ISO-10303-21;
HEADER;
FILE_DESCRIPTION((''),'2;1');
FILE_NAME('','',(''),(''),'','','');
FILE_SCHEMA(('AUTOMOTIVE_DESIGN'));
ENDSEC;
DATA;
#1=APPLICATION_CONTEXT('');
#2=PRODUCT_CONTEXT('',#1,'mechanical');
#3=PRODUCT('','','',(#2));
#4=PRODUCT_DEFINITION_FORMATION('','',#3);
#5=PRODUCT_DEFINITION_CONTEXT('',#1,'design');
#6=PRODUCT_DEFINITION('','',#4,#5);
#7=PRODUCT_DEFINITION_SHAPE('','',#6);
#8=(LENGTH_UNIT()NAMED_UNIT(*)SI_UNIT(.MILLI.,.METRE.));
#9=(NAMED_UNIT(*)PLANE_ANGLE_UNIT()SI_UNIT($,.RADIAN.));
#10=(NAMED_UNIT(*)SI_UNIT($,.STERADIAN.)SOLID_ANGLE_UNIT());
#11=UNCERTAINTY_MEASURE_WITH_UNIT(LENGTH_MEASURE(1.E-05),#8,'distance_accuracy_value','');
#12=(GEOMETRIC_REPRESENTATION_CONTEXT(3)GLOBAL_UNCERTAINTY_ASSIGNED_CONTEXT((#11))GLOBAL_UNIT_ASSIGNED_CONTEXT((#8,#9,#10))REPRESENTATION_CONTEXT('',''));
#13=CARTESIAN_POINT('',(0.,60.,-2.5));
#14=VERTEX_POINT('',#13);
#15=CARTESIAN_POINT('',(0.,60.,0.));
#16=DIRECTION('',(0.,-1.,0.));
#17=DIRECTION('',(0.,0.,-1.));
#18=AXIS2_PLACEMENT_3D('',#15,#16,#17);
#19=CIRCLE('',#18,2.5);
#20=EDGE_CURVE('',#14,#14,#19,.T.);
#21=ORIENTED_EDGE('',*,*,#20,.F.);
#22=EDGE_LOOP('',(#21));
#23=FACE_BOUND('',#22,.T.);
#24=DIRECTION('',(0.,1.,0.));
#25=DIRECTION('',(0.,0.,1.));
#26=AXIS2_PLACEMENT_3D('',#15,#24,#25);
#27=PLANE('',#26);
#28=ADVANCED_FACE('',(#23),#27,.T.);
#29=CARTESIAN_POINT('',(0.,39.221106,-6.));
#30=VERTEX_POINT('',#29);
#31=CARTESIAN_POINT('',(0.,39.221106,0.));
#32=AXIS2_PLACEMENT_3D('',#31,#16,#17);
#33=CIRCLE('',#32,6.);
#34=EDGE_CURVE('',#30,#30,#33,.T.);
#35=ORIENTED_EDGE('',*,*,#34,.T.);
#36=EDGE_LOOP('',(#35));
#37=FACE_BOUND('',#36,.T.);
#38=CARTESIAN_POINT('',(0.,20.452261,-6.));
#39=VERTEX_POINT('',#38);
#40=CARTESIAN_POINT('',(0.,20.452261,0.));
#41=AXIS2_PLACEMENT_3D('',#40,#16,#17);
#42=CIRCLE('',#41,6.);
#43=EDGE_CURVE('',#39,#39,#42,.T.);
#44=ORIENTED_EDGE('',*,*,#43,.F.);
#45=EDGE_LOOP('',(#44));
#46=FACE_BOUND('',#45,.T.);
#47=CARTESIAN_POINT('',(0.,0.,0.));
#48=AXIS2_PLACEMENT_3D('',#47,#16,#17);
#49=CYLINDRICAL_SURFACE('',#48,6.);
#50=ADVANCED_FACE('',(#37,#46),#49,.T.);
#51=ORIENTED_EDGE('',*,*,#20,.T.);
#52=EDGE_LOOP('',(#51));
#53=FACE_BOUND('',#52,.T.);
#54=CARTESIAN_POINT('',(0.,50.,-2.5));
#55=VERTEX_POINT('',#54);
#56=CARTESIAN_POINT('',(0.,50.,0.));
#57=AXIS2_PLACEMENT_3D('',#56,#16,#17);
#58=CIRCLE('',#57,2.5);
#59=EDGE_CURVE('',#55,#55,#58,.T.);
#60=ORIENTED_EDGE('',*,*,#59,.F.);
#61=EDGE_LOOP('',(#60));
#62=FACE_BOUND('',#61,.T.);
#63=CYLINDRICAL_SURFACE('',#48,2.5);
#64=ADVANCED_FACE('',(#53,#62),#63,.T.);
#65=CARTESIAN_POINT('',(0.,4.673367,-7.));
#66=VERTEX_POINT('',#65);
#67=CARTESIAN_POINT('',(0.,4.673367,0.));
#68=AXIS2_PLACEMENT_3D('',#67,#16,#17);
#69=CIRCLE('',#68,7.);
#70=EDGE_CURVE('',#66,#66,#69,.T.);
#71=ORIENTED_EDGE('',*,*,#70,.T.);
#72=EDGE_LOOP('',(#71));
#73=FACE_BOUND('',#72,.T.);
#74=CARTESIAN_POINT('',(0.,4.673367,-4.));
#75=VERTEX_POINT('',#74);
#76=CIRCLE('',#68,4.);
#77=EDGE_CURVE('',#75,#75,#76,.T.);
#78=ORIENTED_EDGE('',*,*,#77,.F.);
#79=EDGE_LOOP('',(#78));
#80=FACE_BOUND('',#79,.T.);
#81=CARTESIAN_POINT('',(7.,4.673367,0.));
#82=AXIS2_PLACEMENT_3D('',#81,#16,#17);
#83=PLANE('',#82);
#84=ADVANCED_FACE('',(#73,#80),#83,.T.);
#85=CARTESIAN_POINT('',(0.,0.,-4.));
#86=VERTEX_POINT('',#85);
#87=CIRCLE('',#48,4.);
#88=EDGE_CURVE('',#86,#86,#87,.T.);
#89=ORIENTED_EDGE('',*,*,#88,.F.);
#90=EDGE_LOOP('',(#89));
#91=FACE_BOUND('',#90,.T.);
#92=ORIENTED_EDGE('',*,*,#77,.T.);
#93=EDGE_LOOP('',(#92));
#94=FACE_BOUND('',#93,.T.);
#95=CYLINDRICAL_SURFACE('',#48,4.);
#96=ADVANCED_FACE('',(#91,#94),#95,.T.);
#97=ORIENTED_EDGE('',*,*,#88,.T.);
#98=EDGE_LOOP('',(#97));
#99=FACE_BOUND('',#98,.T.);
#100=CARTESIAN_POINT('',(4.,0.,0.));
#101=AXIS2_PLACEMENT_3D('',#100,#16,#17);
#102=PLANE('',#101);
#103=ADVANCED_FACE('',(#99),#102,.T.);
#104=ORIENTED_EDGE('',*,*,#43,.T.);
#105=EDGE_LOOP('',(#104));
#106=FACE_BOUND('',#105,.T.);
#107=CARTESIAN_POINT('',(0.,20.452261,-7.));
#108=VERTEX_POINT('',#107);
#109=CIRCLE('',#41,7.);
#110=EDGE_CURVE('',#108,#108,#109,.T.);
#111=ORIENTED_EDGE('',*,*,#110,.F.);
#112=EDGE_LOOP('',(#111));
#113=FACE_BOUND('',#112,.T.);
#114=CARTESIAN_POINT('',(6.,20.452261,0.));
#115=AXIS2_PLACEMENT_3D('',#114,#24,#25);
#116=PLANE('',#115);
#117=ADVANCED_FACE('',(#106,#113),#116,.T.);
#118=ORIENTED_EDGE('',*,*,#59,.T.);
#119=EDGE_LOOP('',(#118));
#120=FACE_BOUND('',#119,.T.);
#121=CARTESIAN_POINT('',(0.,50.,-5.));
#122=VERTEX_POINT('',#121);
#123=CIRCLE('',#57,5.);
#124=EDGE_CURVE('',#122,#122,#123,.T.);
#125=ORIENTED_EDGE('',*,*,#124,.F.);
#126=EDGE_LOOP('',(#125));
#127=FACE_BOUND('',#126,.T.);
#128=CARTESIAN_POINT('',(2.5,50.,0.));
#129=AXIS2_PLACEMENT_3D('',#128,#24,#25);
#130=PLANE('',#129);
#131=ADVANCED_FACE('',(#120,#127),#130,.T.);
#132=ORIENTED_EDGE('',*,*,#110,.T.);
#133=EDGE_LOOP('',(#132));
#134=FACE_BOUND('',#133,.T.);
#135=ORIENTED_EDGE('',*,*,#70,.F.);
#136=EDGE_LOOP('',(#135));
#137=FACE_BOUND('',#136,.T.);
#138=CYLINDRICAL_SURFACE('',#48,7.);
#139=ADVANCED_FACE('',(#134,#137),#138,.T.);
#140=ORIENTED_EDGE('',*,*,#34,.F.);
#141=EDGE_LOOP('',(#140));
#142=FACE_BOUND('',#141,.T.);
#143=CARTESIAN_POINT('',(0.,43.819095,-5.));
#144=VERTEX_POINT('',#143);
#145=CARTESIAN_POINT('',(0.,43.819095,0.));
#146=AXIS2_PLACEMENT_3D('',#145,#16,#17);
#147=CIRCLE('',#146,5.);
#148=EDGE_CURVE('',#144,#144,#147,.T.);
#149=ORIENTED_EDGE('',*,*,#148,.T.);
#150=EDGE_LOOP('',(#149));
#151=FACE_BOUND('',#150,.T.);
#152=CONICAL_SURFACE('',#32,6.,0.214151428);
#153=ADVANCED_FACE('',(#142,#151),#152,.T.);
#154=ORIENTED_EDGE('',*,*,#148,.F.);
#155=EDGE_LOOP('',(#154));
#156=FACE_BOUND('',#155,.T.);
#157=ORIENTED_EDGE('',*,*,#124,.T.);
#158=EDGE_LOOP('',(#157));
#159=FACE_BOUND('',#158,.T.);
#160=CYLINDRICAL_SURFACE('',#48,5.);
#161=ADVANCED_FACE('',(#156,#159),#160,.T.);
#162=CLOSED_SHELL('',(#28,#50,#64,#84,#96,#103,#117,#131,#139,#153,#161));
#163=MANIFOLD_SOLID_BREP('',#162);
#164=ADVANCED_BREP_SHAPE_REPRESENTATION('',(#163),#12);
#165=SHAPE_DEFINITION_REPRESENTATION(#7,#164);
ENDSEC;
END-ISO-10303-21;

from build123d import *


with BuildPart() as part:
    # Sketch1 → Revolve1 (revolve)
    with BuildSketch(Plane.XY, mode=Mode.PRIVATE) as revolve1_sk:
        Polygon((0, 60), (2.5, 60), (2.5, 50), (5, 50), (5, 43.819095477), (6, 39.221105528), (6, 20.452261307), (7, 20.452261307), (7, 4.673366834), (4, 4.673366834), (4, 0), (0, 0), align=None)
    revolve(revolve1_sk.sketch.rotate(Axis((0, 0, 0), (0, 1, 0)), 90), axis=Axis((0, 0, 0), (0, 1, 0)))


solid = part.part
